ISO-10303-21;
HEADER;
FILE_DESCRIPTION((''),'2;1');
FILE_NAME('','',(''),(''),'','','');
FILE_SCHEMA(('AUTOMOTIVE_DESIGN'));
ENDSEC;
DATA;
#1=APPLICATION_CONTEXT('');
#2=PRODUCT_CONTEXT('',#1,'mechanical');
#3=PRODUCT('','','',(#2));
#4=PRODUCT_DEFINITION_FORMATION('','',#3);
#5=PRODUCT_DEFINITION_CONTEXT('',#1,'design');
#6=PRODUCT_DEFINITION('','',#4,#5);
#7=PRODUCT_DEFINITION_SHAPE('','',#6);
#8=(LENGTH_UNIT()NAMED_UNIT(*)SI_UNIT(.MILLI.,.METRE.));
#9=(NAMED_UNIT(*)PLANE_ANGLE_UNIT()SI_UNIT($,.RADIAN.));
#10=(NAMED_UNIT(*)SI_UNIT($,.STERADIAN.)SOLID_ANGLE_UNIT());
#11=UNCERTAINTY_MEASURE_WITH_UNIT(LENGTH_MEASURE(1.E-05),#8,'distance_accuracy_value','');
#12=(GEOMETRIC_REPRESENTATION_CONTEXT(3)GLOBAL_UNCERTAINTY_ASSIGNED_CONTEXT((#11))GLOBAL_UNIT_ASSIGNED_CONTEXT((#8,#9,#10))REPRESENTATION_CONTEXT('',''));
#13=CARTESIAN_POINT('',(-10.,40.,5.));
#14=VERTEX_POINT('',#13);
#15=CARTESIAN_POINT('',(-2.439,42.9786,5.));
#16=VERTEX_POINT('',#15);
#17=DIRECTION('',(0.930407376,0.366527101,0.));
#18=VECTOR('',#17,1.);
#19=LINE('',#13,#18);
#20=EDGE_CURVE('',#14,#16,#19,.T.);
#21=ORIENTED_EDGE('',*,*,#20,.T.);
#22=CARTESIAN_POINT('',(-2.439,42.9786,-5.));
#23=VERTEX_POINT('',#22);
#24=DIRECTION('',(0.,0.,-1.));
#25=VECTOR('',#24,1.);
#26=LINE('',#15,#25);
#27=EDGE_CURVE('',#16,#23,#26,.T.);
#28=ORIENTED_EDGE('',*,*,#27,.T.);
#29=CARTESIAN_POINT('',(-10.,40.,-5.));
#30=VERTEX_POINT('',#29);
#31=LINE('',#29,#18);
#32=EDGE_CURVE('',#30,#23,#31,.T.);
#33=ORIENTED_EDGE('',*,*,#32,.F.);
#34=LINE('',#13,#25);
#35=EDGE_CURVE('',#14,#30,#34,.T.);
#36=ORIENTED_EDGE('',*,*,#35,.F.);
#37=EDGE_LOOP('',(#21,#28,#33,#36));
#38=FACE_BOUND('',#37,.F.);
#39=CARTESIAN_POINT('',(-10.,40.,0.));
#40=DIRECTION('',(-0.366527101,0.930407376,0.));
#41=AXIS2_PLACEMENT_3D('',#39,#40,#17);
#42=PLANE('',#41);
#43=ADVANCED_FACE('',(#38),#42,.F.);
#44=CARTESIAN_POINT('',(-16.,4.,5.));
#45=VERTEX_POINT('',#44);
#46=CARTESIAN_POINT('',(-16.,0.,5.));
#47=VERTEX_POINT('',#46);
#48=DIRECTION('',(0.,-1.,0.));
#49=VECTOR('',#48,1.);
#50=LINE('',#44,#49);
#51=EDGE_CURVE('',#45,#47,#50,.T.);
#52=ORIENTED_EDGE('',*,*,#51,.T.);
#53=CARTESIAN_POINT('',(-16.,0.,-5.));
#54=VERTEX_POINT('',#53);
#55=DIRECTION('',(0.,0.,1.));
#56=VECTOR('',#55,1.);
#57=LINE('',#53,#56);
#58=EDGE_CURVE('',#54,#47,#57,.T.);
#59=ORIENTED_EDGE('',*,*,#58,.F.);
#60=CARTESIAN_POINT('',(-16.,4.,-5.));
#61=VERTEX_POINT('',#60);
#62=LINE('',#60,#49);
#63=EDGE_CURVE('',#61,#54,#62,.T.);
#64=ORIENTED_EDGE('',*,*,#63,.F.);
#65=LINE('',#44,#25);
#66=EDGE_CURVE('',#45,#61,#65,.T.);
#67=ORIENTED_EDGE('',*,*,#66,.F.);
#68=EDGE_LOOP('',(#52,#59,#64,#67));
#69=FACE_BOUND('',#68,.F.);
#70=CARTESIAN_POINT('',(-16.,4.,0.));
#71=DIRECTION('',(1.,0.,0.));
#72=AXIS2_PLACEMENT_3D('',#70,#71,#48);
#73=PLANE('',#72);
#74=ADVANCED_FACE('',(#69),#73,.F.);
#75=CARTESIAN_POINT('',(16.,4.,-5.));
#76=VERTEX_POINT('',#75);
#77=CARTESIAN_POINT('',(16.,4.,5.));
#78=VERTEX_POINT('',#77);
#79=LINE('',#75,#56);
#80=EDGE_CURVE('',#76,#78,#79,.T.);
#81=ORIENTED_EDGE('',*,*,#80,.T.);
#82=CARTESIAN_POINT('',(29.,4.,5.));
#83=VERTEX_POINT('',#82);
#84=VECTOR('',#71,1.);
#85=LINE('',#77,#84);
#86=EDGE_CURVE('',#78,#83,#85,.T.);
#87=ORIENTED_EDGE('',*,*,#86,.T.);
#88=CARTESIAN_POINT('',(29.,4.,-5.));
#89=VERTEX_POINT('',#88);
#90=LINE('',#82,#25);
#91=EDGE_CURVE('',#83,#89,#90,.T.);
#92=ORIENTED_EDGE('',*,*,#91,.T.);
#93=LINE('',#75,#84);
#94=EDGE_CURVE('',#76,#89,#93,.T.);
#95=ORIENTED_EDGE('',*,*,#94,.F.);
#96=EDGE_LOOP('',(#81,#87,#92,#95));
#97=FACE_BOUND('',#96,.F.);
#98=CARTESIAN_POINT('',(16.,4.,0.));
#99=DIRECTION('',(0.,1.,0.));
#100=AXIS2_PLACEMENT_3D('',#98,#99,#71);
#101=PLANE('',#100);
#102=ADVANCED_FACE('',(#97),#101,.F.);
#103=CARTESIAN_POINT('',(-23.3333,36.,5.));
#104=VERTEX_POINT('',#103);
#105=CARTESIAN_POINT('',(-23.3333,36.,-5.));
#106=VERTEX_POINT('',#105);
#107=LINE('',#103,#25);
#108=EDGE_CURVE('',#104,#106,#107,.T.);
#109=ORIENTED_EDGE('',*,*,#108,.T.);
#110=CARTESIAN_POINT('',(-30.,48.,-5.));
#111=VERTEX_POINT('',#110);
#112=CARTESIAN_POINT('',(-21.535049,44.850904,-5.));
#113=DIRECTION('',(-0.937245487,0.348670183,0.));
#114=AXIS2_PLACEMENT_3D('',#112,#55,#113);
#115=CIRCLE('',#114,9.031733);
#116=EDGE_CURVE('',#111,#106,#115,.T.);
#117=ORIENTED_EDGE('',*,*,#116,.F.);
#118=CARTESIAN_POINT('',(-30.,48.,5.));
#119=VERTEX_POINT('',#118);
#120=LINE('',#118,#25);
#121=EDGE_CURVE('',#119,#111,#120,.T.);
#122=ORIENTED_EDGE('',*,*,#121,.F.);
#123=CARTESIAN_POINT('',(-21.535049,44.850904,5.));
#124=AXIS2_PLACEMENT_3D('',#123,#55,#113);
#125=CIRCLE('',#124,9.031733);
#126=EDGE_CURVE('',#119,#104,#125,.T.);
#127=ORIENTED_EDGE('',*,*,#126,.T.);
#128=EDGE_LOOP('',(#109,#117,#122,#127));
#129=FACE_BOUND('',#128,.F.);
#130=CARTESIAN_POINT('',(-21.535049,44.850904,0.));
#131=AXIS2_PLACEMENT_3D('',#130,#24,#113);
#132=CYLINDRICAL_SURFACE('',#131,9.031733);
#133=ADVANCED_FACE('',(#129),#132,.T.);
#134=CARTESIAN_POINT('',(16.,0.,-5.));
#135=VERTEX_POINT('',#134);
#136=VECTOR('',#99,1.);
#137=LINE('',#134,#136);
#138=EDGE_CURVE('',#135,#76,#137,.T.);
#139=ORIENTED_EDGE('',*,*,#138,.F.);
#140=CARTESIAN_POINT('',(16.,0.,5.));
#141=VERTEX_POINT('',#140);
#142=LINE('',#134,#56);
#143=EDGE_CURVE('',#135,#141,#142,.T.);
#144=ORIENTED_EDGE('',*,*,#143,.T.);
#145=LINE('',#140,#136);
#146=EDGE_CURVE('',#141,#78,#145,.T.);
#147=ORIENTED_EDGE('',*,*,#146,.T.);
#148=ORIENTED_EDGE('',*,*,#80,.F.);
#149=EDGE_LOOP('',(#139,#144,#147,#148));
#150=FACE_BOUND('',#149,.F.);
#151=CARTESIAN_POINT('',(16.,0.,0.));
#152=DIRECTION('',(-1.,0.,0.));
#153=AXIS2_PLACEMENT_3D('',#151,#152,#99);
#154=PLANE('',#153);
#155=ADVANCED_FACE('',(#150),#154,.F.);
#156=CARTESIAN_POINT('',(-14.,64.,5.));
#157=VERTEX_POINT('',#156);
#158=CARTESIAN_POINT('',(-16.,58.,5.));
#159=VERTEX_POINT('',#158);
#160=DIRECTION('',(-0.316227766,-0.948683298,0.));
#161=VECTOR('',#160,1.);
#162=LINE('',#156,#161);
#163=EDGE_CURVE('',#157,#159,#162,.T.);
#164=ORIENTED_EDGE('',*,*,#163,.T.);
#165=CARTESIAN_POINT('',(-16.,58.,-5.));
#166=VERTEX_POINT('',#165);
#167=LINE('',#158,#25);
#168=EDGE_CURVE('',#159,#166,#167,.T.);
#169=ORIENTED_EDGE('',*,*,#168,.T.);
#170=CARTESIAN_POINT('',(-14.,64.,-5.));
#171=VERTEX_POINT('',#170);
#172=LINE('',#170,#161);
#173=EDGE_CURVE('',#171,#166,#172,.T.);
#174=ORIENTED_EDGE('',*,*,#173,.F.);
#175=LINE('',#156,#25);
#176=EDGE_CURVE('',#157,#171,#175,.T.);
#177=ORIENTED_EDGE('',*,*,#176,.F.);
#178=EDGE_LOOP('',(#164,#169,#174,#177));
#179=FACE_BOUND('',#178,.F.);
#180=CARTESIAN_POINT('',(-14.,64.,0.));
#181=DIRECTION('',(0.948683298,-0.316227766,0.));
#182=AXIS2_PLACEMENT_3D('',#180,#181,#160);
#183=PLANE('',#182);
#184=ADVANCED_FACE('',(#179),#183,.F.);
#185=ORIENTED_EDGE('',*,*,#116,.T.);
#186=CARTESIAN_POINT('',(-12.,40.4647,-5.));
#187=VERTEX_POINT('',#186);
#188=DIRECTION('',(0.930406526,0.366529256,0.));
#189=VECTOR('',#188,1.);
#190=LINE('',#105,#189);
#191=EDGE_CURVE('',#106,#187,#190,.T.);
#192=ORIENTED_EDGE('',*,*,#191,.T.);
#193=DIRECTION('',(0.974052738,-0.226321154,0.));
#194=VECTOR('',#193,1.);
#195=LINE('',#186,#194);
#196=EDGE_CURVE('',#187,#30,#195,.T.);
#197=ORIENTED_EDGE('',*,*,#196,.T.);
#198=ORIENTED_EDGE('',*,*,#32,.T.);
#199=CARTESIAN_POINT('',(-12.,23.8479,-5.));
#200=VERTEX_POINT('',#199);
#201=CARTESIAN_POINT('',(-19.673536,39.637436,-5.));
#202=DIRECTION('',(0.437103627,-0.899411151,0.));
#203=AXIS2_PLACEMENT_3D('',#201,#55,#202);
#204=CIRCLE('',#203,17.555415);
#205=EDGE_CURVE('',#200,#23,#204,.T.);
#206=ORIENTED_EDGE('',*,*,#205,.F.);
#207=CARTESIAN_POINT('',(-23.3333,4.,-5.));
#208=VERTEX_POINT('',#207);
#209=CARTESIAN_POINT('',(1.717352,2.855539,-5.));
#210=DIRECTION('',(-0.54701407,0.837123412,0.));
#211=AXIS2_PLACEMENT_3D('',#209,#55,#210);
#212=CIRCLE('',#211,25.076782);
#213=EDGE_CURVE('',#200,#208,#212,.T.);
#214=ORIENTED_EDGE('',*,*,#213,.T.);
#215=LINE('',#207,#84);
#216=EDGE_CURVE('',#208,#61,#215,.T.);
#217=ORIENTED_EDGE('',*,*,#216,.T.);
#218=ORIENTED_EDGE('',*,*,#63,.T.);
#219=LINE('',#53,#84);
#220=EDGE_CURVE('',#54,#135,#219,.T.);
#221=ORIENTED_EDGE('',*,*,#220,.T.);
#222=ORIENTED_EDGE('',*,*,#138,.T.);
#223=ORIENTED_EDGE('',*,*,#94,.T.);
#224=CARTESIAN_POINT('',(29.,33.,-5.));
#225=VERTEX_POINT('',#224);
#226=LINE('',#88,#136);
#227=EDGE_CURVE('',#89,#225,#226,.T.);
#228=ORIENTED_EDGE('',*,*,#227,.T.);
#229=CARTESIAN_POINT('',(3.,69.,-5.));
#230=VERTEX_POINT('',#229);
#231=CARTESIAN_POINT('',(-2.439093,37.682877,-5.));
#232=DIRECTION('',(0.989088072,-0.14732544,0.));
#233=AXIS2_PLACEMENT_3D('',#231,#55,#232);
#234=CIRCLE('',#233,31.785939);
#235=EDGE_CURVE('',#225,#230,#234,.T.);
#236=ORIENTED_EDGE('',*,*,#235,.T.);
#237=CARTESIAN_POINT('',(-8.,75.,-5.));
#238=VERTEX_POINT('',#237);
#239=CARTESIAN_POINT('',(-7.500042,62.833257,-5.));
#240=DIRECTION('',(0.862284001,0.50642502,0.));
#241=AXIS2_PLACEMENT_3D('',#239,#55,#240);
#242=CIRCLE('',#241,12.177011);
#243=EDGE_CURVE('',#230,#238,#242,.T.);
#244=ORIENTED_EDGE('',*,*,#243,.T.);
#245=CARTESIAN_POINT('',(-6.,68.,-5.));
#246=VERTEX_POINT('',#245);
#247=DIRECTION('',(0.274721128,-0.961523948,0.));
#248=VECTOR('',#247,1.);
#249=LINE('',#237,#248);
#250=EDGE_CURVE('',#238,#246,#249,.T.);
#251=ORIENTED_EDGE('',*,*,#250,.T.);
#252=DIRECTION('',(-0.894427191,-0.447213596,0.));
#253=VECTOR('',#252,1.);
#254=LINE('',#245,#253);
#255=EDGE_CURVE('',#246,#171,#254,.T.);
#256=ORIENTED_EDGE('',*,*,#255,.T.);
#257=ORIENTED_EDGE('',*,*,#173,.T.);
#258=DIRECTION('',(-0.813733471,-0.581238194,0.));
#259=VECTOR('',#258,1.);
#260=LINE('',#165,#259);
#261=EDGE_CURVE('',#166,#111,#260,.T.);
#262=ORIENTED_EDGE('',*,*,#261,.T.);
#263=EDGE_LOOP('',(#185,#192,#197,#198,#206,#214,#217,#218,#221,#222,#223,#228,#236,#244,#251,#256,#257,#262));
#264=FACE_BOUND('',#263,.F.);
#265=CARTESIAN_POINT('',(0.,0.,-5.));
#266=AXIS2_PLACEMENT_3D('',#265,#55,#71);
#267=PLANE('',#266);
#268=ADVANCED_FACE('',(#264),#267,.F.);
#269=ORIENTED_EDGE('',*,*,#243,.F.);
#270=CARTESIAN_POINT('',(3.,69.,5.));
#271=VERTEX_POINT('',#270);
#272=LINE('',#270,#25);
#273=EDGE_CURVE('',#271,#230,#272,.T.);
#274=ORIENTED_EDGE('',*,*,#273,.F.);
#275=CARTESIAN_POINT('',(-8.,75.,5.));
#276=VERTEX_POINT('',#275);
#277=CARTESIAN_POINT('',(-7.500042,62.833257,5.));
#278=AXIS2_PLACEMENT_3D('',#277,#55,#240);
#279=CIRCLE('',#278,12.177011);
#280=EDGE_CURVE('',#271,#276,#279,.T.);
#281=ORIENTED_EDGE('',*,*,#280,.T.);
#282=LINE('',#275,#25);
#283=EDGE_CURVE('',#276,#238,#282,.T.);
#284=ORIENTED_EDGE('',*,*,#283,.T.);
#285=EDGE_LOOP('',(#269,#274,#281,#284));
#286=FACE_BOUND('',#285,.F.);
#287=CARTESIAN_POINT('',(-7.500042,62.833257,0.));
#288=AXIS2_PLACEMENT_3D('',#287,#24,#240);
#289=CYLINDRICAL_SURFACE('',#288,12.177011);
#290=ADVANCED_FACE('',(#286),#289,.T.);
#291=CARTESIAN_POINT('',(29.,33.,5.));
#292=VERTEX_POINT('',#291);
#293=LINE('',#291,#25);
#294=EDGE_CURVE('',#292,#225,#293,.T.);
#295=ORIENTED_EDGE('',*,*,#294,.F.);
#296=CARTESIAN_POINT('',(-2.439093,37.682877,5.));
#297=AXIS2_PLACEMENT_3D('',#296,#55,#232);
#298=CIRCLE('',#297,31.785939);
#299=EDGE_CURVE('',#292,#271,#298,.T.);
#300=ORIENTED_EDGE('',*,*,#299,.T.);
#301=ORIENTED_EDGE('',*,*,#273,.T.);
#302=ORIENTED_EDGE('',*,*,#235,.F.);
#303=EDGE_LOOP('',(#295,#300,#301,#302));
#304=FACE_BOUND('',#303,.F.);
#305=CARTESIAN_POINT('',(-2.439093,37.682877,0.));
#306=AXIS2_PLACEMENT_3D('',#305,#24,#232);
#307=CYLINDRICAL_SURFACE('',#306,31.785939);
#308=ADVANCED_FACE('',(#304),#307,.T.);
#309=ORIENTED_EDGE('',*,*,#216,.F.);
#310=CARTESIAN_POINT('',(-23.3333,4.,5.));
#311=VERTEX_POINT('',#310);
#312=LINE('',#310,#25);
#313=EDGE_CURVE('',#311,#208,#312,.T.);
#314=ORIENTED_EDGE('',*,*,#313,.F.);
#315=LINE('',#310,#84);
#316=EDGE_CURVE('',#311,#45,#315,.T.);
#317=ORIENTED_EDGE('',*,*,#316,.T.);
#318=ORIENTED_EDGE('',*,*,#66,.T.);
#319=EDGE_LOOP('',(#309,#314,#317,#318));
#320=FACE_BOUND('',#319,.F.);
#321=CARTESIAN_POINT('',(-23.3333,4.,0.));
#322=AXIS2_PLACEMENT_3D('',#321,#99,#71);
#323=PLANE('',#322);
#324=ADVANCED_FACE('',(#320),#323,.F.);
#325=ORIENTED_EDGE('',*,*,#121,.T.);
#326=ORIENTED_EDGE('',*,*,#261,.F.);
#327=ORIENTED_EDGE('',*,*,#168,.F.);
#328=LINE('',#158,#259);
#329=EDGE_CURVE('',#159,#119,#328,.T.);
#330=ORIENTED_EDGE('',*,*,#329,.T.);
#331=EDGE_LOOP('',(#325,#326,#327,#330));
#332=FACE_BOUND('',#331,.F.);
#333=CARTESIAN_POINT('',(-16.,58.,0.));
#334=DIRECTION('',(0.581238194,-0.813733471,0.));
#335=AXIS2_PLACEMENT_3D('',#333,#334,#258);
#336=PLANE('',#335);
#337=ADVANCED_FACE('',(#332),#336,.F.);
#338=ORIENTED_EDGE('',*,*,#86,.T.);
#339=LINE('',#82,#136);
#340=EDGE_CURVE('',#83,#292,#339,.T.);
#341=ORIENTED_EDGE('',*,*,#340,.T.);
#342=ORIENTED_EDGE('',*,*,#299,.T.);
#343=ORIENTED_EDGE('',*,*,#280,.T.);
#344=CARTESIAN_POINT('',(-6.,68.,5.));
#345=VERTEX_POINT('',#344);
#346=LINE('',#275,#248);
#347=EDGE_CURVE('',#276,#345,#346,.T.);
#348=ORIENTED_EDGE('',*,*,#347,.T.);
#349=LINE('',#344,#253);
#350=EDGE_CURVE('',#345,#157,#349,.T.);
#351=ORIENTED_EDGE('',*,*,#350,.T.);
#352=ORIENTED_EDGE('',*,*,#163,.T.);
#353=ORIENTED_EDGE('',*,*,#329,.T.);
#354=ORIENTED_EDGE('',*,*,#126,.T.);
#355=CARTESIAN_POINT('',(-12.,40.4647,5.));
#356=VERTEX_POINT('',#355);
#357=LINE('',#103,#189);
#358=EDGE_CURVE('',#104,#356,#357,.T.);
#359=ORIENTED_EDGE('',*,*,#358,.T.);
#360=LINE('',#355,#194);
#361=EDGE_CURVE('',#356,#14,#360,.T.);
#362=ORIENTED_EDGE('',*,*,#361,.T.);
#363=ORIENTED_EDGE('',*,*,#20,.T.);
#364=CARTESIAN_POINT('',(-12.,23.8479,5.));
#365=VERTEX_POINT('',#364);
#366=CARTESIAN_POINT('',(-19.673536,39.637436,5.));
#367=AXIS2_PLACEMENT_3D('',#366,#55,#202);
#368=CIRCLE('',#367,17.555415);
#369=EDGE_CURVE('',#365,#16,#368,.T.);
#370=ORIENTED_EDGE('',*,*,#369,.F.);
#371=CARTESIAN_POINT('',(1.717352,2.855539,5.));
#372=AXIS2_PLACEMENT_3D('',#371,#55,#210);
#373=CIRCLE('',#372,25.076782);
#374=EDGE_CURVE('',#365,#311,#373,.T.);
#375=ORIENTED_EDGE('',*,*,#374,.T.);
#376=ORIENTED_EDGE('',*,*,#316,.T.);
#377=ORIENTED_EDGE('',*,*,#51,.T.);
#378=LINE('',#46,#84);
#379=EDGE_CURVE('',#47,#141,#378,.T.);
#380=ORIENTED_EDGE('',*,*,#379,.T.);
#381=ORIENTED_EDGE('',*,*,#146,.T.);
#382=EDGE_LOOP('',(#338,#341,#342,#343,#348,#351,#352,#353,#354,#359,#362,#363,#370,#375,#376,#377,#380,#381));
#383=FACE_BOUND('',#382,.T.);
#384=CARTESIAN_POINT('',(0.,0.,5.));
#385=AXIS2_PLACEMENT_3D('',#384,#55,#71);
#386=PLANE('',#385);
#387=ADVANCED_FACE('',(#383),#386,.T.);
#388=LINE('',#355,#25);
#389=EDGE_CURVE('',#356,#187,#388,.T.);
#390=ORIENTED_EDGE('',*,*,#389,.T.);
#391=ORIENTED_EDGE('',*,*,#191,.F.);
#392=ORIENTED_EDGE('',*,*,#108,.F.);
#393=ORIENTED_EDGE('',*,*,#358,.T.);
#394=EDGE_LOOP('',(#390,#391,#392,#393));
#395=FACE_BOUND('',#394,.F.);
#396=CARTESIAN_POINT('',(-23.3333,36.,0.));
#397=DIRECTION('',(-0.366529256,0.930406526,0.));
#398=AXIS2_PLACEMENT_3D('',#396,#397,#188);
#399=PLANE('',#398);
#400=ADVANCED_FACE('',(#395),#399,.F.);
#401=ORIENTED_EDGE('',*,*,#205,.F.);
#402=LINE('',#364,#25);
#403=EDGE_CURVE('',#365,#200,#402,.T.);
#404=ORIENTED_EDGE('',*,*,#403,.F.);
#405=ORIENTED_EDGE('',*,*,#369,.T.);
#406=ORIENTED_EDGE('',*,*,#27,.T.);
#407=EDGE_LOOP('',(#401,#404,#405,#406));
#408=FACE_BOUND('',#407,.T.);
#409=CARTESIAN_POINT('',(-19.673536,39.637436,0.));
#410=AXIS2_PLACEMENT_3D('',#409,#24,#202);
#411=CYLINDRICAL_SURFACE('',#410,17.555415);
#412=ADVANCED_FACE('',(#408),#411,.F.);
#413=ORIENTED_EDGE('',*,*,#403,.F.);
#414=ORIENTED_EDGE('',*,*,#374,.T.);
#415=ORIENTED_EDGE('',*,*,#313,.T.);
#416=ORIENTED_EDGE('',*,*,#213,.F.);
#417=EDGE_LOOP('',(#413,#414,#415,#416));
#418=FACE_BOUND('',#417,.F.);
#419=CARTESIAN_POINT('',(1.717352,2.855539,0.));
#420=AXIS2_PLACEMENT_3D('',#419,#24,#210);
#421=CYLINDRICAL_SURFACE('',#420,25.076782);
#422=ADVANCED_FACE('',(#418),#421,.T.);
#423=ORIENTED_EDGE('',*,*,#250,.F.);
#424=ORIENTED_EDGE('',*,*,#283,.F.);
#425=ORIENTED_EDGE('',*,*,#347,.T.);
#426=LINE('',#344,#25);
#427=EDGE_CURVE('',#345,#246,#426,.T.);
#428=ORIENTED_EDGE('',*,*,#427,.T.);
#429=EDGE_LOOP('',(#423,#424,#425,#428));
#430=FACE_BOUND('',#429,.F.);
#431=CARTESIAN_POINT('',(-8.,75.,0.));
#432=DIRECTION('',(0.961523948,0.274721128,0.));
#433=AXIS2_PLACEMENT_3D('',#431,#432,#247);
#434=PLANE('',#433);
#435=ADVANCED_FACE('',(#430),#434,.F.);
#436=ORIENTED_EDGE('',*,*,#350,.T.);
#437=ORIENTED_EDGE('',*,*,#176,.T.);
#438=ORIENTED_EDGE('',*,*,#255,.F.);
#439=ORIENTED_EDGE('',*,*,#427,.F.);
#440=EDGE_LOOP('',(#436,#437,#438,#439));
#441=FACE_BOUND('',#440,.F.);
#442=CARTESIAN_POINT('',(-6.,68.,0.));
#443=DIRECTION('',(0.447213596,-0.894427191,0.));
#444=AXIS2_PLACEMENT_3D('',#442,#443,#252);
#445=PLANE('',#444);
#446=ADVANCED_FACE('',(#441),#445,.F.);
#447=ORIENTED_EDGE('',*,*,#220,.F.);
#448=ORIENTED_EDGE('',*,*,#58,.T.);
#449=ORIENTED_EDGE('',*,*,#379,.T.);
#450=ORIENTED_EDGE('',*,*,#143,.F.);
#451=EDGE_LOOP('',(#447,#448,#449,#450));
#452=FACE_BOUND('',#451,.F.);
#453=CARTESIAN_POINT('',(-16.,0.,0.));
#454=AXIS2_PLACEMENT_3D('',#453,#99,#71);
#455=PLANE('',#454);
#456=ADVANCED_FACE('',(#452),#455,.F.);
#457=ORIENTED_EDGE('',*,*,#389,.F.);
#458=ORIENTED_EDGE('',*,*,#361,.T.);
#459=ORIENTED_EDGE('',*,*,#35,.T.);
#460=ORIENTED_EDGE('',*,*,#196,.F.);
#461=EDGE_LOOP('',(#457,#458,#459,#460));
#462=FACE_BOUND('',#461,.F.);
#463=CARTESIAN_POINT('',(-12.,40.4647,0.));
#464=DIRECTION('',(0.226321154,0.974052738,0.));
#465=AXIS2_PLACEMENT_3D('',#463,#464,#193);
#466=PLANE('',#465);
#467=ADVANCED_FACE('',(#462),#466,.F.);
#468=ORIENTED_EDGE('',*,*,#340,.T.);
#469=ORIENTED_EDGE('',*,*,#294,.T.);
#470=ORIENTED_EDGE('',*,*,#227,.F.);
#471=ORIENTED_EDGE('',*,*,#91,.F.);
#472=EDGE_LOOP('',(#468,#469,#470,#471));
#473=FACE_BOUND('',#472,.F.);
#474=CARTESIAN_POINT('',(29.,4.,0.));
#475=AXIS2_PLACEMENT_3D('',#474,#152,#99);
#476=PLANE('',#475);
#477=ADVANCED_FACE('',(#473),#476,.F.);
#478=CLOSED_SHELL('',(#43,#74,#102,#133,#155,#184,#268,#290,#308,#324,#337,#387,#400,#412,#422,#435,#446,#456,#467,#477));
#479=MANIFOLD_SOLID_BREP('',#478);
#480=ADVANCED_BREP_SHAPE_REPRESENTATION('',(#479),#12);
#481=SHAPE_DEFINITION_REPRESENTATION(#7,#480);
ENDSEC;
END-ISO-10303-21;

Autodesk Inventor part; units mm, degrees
ref_plane "YZ Plane" through (0, 0, 0) normal (1, 0, 0) x (0, 1, 0)
ref_plane "XZ Plane" through (0, 0, 0) normal (0, 1, 0) x (-1, 0, 0)
ref_plane "XY Plane" through (0, 0, 0) normal (0, 0, 1) x (1, 0, 0)
sketch "Boceto1" plane through (0, 0, 0) normal (0, 0, 1) x (1, 0, 0)
  line L0 (-70.4693, 87.7725) -> (72.3878, 87.7725) construction
  line L1 (72.3878, 87.7725) -> (72.3878, -52.7037) construction
  line L2 (72.3878, -52.7037) -> (-70.4693, -52.7037) construction
  line L3 (-70.4693, -52.7037) -> (-70.4693, 87.7725) construction
  line L4 (-16, 0) -> (16, 0)
  line L5 (16, 0) -> (16, 4)
  line L6 (16, 4) -> (29, 4)
  line L7 (29, 4) -> (29, 33)
  arc A0 (29, 33) -> (3, 69) centre (-2.439, 37.6829) ccw
  arc A1 (3, 69) -> (-8, 75) centre (-7.5, 62.8333) ccw
  line L8 (-8, 75) -> (-6, 68)
  line L9 (-6, 68) -> (-14, 64)
  line L10 (-14, 64) -> (-16, 58)
  line L11 (-16, 58) -> (-30, 48)
  arc A2 (-30, 48) -> (-23.3333, 36) centre (-21.5351, 44.8509) ccw
  line L12 (-23.3333, 36) -> (-12, 40.4647)
  line L13 (-12, 40.4647) -> (-10, 40)
  line L14 (-10, 40) -> (-2.439, 42.9786)
  arc A3 (-12, 23.8479) -> (-2.439, 42.9786) centre (-19.6735, 39.6374) ccw
  arc A4 (-12, 23.8479) -> (-23.3333, 4) centre (1.7175, 2.8554) ccw
  line L15 (-23.3333, 4) -> (-16, 4)
  line L16 (-16, 4) -> (-16, 0)
  point P0 (0, 0)
extrude "Extrusión1" add sketch "Boceto1" along normal mid plane 10
properties part number "KIGTH TOP 1.0"
